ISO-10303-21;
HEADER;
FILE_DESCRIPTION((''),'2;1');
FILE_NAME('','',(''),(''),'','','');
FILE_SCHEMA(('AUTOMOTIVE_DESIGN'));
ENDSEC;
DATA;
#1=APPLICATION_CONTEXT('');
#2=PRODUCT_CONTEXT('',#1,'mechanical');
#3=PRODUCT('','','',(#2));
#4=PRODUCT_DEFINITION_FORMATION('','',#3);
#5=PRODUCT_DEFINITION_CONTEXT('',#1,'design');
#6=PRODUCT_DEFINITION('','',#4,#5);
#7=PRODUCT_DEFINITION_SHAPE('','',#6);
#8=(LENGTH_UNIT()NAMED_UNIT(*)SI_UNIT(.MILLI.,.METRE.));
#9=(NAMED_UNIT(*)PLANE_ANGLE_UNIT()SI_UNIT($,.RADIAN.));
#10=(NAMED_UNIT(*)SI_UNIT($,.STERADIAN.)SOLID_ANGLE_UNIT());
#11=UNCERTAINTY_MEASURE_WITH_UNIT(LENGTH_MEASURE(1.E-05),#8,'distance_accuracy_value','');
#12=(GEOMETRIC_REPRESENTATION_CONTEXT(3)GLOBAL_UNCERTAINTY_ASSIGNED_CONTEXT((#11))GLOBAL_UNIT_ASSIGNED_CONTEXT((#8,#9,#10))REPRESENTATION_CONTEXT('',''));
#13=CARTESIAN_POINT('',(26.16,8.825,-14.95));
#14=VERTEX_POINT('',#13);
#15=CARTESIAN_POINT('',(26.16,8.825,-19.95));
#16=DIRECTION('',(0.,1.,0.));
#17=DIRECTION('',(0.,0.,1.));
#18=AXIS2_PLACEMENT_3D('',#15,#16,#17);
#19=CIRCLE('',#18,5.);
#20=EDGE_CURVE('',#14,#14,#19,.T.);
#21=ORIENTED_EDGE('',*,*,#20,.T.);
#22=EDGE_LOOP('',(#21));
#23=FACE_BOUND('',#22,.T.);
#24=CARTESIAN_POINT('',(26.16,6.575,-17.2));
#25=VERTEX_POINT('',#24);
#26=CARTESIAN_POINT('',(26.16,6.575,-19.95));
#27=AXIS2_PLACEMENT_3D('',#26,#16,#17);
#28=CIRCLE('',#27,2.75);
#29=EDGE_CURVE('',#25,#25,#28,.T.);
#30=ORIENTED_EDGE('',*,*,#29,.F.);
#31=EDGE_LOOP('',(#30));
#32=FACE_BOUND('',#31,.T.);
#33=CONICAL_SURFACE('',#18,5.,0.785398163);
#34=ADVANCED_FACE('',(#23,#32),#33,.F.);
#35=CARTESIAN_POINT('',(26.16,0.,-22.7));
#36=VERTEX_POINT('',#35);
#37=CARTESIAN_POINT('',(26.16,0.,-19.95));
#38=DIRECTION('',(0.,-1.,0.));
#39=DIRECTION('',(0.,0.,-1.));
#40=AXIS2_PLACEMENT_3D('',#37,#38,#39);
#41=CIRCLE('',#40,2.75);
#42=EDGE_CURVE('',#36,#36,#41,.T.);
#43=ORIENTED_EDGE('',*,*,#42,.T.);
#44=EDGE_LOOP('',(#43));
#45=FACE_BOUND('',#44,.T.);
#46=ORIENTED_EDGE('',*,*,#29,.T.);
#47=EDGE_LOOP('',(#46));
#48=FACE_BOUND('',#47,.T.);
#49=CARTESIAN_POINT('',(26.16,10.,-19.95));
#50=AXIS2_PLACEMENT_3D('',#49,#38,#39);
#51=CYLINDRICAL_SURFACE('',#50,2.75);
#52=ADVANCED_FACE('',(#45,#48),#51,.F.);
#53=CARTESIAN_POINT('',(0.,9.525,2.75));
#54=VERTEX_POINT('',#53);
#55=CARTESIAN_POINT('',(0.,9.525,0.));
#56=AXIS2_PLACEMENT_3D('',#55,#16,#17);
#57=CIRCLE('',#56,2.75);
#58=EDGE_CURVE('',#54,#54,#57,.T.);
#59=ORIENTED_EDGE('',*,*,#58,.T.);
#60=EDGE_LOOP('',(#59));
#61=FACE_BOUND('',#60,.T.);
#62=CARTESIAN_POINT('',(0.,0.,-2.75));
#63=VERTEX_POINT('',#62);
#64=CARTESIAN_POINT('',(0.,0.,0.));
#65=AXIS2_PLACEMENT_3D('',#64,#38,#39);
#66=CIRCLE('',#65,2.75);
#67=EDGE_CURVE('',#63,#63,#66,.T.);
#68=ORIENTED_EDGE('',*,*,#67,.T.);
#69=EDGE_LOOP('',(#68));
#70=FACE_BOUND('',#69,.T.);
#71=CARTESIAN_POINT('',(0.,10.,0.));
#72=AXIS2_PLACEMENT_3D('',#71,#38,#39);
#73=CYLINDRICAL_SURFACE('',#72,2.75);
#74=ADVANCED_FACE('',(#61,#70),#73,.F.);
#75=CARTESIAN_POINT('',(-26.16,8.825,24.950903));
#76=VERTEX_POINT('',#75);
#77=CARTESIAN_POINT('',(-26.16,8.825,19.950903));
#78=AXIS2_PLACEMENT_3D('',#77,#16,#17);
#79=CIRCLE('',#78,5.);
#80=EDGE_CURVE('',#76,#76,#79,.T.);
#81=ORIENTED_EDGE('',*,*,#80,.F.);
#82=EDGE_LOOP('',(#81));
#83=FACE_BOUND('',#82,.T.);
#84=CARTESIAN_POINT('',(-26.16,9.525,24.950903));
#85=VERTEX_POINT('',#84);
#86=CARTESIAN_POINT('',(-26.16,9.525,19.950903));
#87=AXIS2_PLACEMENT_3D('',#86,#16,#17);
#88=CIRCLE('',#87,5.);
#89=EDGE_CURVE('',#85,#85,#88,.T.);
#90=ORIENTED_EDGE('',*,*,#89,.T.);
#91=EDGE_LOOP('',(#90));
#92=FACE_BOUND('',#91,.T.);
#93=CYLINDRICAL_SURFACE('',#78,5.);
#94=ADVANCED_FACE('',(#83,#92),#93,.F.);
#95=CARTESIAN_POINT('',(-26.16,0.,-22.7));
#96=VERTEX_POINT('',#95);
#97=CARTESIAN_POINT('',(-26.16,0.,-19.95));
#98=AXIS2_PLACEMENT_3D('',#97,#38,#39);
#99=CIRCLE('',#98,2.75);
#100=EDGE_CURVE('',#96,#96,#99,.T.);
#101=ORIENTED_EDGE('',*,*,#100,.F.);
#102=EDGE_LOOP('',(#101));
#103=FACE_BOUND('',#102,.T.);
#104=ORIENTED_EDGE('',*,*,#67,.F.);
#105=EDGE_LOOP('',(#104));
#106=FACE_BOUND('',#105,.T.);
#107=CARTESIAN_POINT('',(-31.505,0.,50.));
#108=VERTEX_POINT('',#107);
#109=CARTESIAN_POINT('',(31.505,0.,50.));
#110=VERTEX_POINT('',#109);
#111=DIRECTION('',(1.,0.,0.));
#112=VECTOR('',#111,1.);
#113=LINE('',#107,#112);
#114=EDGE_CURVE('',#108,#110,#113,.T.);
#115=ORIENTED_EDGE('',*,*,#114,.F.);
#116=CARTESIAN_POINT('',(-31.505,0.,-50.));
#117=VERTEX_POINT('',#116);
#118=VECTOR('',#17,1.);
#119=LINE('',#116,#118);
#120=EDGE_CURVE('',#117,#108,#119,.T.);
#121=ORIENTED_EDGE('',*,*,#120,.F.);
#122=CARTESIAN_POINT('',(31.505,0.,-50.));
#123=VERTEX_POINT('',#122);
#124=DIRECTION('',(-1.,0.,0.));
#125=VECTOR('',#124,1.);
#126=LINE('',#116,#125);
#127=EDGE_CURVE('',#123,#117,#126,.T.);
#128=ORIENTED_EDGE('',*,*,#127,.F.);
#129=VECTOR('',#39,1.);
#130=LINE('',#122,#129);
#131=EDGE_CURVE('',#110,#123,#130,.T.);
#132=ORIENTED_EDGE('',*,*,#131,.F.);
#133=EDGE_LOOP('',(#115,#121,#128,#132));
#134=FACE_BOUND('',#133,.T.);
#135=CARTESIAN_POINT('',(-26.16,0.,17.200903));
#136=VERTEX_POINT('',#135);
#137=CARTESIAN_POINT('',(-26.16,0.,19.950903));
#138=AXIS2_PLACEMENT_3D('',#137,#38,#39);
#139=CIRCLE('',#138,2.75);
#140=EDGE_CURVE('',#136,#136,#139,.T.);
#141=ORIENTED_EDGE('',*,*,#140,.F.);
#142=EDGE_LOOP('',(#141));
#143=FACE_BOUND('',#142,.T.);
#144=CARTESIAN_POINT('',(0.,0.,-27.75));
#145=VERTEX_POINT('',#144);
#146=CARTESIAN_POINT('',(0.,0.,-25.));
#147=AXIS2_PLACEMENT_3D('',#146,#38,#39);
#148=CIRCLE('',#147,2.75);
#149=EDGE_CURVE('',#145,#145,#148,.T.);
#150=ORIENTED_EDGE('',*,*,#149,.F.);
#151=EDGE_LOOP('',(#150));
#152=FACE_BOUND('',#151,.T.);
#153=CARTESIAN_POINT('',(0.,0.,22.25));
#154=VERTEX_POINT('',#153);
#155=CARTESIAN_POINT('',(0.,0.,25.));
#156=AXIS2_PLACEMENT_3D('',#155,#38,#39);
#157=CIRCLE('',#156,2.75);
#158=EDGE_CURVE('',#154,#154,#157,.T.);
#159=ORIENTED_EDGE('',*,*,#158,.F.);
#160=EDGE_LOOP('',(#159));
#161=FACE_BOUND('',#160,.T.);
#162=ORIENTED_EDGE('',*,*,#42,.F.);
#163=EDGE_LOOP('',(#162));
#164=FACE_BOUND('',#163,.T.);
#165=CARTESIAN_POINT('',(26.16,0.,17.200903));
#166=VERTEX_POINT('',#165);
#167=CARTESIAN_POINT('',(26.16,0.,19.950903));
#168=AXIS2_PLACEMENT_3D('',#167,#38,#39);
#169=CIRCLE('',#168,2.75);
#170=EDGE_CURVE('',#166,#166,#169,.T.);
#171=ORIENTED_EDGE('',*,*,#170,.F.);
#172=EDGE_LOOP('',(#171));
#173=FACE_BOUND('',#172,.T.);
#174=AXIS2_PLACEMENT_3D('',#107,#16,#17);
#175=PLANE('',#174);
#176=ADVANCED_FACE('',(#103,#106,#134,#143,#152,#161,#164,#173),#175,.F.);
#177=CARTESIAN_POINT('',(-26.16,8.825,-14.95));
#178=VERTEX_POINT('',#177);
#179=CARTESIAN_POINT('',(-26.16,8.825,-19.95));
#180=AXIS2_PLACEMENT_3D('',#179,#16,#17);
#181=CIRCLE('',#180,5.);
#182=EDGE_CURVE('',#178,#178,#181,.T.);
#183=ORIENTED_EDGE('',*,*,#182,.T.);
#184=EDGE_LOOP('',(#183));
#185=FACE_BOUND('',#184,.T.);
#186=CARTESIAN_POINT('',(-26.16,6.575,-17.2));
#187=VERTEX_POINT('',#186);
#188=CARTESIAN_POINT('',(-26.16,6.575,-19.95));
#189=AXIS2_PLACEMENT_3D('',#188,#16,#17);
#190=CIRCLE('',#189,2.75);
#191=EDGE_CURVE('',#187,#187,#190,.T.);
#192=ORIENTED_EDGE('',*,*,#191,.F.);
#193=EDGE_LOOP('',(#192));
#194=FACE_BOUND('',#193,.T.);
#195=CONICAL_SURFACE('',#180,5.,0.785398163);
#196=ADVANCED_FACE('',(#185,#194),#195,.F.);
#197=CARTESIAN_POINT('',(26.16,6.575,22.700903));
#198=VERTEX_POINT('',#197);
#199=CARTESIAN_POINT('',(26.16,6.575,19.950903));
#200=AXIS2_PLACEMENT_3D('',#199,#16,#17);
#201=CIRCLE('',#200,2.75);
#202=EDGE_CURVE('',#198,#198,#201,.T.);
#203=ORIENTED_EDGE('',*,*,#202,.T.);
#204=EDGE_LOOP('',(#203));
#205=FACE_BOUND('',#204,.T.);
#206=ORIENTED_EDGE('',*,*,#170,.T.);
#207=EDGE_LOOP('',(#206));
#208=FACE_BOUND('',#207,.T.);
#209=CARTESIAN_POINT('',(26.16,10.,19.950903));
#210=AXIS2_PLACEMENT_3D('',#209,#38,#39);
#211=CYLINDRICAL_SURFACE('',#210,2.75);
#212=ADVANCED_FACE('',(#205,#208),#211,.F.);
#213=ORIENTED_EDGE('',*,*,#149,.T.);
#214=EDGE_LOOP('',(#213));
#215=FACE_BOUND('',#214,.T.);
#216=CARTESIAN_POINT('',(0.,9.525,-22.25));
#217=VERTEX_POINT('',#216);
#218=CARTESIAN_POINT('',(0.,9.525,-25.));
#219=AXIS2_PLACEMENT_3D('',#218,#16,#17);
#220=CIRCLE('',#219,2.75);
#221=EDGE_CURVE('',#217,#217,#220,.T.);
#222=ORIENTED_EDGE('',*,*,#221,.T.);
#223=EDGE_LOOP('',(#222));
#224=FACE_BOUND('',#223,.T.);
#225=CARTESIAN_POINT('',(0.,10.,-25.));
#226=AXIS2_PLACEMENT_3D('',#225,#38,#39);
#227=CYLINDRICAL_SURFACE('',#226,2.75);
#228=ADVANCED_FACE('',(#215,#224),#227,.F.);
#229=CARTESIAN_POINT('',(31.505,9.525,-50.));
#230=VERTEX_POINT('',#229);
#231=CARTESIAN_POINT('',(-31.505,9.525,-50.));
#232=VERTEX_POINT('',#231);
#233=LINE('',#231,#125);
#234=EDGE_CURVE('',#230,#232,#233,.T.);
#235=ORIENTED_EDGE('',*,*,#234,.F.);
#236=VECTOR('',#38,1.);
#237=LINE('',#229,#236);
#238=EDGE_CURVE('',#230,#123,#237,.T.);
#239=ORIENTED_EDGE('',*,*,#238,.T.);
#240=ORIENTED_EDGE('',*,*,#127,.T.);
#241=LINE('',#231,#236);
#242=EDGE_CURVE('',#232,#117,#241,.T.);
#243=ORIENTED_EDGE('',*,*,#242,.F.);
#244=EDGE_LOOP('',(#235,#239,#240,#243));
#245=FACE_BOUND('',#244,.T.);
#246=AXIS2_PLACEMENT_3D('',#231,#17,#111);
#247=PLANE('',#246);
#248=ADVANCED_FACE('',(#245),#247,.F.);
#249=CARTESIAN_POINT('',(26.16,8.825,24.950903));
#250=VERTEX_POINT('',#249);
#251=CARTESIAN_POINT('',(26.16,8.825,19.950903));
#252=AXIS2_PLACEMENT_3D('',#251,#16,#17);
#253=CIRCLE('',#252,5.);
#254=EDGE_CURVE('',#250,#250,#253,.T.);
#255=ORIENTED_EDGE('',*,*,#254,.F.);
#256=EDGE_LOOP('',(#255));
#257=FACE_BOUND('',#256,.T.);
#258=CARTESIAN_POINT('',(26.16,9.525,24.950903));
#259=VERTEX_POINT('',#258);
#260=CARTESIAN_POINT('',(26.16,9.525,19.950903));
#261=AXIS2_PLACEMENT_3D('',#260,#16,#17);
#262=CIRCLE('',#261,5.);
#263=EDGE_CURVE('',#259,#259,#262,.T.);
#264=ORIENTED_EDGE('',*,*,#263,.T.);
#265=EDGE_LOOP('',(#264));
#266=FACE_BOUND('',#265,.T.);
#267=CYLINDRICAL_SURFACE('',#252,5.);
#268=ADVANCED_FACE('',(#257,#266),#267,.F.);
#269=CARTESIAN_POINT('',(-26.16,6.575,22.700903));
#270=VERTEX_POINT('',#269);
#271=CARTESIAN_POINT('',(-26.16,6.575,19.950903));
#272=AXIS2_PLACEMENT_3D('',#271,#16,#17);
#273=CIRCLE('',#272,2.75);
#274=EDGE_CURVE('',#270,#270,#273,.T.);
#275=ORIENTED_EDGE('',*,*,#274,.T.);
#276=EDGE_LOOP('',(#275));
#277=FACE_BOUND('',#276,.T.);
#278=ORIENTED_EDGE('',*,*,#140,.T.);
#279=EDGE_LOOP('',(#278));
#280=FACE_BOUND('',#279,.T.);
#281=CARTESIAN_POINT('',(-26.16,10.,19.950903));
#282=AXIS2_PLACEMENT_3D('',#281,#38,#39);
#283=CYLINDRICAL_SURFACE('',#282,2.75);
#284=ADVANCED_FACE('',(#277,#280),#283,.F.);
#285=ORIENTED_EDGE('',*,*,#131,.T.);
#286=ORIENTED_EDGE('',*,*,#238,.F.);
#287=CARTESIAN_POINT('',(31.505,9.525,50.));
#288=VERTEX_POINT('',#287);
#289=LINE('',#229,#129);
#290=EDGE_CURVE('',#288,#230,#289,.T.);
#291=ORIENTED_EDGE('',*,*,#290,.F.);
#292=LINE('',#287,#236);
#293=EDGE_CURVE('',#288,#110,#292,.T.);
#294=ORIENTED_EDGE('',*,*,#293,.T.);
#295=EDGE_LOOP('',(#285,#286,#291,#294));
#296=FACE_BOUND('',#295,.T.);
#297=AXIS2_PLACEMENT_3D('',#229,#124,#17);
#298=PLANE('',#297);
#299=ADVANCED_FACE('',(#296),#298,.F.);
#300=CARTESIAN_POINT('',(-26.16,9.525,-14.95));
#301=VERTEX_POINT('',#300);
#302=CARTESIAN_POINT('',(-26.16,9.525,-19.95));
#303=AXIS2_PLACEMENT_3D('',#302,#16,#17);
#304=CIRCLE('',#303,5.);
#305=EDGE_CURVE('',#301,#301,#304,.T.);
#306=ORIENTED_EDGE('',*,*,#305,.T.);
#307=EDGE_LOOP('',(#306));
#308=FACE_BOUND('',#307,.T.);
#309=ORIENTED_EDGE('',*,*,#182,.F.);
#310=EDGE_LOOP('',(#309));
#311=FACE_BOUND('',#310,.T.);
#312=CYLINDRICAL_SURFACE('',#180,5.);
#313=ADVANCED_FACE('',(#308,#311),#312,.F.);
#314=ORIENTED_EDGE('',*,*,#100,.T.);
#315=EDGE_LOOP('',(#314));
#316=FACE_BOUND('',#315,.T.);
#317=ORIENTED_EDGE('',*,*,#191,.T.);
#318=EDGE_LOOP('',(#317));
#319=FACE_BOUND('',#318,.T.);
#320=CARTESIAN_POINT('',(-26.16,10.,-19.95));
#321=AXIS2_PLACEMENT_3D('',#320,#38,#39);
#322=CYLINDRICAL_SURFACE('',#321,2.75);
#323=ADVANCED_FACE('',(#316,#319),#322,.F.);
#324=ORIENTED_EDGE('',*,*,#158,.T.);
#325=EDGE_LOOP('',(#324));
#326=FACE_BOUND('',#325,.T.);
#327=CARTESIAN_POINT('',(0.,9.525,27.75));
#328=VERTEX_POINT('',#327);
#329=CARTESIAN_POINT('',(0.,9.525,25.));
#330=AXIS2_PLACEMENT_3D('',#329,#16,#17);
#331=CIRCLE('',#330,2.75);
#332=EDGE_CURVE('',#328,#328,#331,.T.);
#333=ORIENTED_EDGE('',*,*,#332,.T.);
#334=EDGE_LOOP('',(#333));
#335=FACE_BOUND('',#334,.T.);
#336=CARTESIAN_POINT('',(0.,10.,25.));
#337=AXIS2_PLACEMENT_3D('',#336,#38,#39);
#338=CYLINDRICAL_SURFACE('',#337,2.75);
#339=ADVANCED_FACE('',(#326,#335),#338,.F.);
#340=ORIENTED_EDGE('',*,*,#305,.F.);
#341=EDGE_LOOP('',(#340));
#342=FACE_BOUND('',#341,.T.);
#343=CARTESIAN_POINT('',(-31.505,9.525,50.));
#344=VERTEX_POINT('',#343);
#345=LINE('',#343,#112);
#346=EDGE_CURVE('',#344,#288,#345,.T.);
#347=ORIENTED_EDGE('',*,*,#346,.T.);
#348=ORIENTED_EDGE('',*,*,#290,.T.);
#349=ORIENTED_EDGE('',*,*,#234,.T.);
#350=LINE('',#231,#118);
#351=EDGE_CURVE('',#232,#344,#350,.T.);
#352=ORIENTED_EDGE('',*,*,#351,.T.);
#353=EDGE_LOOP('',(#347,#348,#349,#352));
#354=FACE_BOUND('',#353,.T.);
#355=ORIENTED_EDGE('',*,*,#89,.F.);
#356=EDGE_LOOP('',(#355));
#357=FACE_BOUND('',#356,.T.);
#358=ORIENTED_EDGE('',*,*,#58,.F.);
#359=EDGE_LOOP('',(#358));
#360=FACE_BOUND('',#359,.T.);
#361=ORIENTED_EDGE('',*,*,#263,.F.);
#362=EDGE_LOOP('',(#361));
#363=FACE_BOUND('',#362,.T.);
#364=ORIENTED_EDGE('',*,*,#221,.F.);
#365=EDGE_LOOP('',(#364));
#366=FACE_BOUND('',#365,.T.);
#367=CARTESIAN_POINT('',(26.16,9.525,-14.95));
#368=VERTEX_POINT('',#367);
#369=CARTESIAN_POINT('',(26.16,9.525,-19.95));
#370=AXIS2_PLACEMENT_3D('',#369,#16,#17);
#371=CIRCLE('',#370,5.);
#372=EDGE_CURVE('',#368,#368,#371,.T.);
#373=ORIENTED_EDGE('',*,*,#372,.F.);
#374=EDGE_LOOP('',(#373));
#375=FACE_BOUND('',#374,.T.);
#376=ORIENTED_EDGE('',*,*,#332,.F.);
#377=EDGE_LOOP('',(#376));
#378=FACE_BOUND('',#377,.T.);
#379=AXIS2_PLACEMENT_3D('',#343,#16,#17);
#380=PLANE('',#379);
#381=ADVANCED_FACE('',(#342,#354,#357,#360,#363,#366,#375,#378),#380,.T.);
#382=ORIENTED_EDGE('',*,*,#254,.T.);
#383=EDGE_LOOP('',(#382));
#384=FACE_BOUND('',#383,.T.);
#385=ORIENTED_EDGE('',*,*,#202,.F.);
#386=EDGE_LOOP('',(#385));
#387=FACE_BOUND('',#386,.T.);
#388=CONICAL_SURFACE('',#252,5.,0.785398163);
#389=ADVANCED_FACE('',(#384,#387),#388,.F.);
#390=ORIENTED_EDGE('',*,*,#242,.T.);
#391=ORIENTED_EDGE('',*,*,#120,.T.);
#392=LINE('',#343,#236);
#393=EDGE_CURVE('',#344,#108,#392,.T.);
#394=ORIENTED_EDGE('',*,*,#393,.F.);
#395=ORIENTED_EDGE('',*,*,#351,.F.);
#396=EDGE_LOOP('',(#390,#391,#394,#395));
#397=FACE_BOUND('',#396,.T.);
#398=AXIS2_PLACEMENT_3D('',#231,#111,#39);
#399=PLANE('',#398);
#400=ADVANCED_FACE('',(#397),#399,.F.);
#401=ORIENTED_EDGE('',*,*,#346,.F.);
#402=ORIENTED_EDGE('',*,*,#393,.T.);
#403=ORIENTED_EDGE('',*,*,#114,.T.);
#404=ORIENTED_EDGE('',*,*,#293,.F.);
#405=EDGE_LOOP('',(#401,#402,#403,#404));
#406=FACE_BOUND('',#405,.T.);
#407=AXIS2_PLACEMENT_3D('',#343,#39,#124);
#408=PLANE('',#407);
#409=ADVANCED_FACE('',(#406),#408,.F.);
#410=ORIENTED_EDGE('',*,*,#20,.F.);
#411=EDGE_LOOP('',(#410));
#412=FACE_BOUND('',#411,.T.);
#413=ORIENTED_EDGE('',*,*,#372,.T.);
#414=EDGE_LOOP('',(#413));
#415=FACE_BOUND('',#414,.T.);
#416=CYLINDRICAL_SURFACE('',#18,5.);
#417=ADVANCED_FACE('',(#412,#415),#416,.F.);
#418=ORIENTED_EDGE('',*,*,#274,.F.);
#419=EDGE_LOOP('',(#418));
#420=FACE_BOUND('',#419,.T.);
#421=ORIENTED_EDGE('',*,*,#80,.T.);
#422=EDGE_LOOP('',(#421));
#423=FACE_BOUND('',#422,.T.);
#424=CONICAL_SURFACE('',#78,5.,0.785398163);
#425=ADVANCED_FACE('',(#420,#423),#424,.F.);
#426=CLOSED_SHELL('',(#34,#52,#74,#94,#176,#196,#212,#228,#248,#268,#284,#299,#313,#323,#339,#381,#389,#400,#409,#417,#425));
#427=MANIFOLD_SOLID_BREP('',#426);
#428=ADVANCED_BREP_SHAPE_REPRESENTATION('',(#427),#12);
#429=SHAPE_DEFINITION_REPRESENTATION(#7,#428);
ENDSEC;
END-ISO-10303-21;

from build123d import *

# Parameters (mm, degrees)
ESBO_O1_W                       = 63.01
ESBO_O1_H                       = 100
RESSALTO_EXTRUS_O1_DEPTH        = 9.525
ESBO_O2_R                       = 2.75
CORTE_EXTRUS_O1_DEPTH           = 10
ESBO_O3_R                       = 5
CORTE_EXTRUS_O2_DEPTH           = 0.7
ESBO_O4_R                       = 5
CORTE_EXTRUS_O3_DEPTH           = 2.5
CORTE_EXTRUS_O3_DRAFT           = -45
CORTE_EXTRUS_O3_PROFILE_2_DEPTH = 2.5
CORTE_EXTRUS_O3_PROFILE_2_DRAFT = -45
CORTE_EXTRUS_O3_PROFILE_3_DEPTH = 2.5
CORTE_EXTRUS_O3_PROFILE_3_DRAFT = -45
CORTE_EXTRUS_O3_PROFILE_4_DEPTH = 2.5
CORTE_EXTRUS_O3_PROFILE_4_DRAFT = -45


with BuildPart() as part:
    # Esboço1 → Ressalto-extrusão1 (new body)
    with BuildSketch(Plane(origin=(0, 0, 0), x_dir=(1, 0, 0), z_dir=(0, 1, 0))):
        Rectangle(ESBO_O1_W, ESBO_O1_H)
    extrude(amount=RESSALTO_EXTRUS_O1_DEPTH)

    # Esboço2 → Corte-extrusão1 (cut)
    with BuildSketch(Plane.XZ):
        with Locations(Location((-26.16, 19.950903247, 0), (0, 0, 270))):
            Circle(ESBO_O2_R)
        with Locations(Location((0, 25, 0), (0, 0, 270))):
            Circle(ESBO_O2_R)
        with Locations(Location((26.16, 19.950903247, 0), (0, 0, 270))):
            Circle(ESBO_O2_R)
        with Locations(Location((0, 0, 0), (0, 0, 270))):
            Circle(ESBO_O2_R)
        with Locations(Location((-26.16, -19.95, 0), (0, 0, 270))):
            Circle(ESBO_O2_R)
        with Locations(Location((0, -25, 0), (0, 0, 270))):
            Circle(ESBO_O2_R)
        with Locations(Location((26.16, -19.95, 0), (0, 0, 270))):
            Circle(ESBO_O2_R)
    extrude(amount=-CORTE_EXTRUS_O1_DEPTH, mode=Mode.SUBTRACT)

    # Esboço3 → Corte-extrusão2 (cut)
    with BuildSketch(Plane(origin=(0, 9.525, 0), x_dir=(1, 0, 0), z_dir=(0, 1, 0))):
        with Locations(Location((26.16, 19.95, 0), (0, 0, 270))):
            Circle(ESBO_O3_R)
        with Locations(Location((26.16, -19.950903247, 0), (0, 0, 270))):
            Circle(ESBO_O3_R)
        with Locations(Location((-26.16, -19.950903247, 0), (0, 0, 270))):
            Circle(ESBO_O3_R)
        with Locations(Location((-26.16, 19.95, 0), (0, 0, 270))):
            Circle(ESBO_O3_R)
    extrude(amount=-CORTE_EXTRUS_O2_DEPTH, mode=Mode.SUBTRACT)


with BuildPart() as corte_extrus_o3_tool:
    # Esboço4 → Corte-extrusão3 (with draft: the straight prism first)
    with BuildSketch(Plane(origin=(0, 8.825, 0), x_dir=(1, 0, 0), z_dir=(0, 1, 0))):
        with Locations(Location((26.16, 19.95, 0), (0, 0, 270))):
            Circle(ESBO_O4_R)
    extrude(amount=-CORTE_EXTRUS_O3_DEPTH)
    # Corte-extrusão3: the draft: its side faces are tilted about the plane it starts from
    corte_extrus_o3_sides = [corte_extrus_o3_tool.faces().sort_by_distance(p)[0] for p in [
        (26.16, 7.575, -24.95),
    ]]
    draft(corte_extrus_o3_sides, Plane(origin=(0, 8.825, 0), x_dir=(1, 0, 0), z_dir=(0, 1, 0)), CORTE_EXTRUS_O3_DRAFT)


with BuildPart() as part_1:
    add(part.part)

    # Corte-extrusão3: cut by corte_extrus_o3_tool
    add(corte_extrus_o3_tool.part, mode=Mode.SUBTRACT)


with BuildPart() as corte_extrus_o3_profile_2_tool:
    # Esboço4 → Corte-extrusão3 profile 2 (with draft: the straight prism first)
    with BuildSketch(Plane(origin=(0, 8.825, 0), x_dir=(1, 0, 0), z_dir=(0, 1, 0))):
        with Locations(Location((-26.16, 19.95, 0), (0, 0, 270))):
            Circle(ESBO_O4_R)
    extrude(amount=-CORTE_EXTRUS_O3_PROFILE_2_DEPTH)
    # Corte-extrusão3 profile 2: the draft: its side faces are tilted about the plane it starts from
    corte_extrus_o3_profile_2_sides = [corte_extrus_o3_profile_2_tool.faces().sort_by_distance(p)[0] for p in [
        (-26.16, 7.575, -24.95),
    ]]
    draft(corte_extrus_o3_profile_2_sides, Plane(origin=(0, 8.825, 0), x_dir=(1, 0, 0), z_dir=(0, 1, 0)), CORTE_EXTRUS_O3_PROFILE_2_DRAFT)


with BuildPart() as part_2:
    add(part_1.part)

    # Corte-extrusão3 profile 2: cut by corte_extrus_o3_profile_2_tool
    add(corte_extrus_o3_profile_2_tool.part, mode=Mode.SUBTRACT)


with BuildPart() as corte_extrus_o3_profile_3_tool:
    # Esboço4 → Corte-extrusão3 profile 3 (with draft: the straight prism first)
    with BuildSketch(Plane(origin=(0, 8.825, 0), x_dir=(1, 0, 0), z_dir=(0, 1, 0))):
        with Locations(Location((-26.16, -19.950903247, 0), (0, 0, 270))):
            Circle(ESBO_O4_R)
    extrude(amount=-CORTE_EXTRUS_O3_PROFILE_3_DEPTH)
    # Corte-extrusão3 profile 3: the draft: its side faces are tilted about the plane it starts from
    corte_extrus_o3_profile_3_sides = [corte_extrus_o3_profile_3_tool.faces().sort_by_distance(p)[0] for p in [
        (-26.16, 7.575, 14.950903247),
    ]]
    draft(corte_extrus_o3_profile_3_sides, Plane(origin=(0, 8.825, 0), x_dir=(1, 0, 0), z_dir=(0, 1, 0)), CORTE_EXTRUS_O3_PROFILE_3_DRAFT)


with BuildPart() as part_3:
    add(part_2.part)

    # Corte-extrusão3 profile 3: cut by corte_extrus_o3_profile_3_tool
    add(corte_extrus_o3_profile_3_tool.part, mode=Mode.SUBTRACT)


with BuildPart() as corte_extrus_o3_profile_4_tool:
    # Esboço4 → Corte-extrusão3 profile 4 (with draft: the straight prism first)
    with BuildSketch(Plane(origin=(0, 8.825, 0), x_dir=(1, 0, 0), z_dir=(0, 1, 0))):
        with Locations(Location((26.16, -19.950903247, 0), (0, 0, 270))):
            Circle(ESBO_O4_R)
    extrude(amount=-CORTE_EXTRUS_O3_PROFILE_4_DEPTH)
    # Corte-extrusão3 profile 4: the draft: its side faces are tilted about the plane it starts from
    corte_extrus_o3_profile_4_sides = [corte_extrus_o3_profile_4_tool.faces().sort_by_distance(p)[0] for p in [
        (26.16, 7.575, 14.950903247),
    ]]
    draft(corte_extrus_o3_profile_4_sides, Plane(origin=(0, 8.825, 0), x_dir=(1, 0, 0), z_dir=(0, 1, 0)), CORTE_EXTRUS_O3_PROFILE_4_DRAFT)


with BuildPart() as part_4:
    add(part_3.part)

    # Corte-extrusão3 profile 4: cut by corte_extrus_o3_profile_4_tool
    add(corte_extrus_o3_profile_4_tool.part, mode=Mode.SUBTRACT)


solid = part_4.part
